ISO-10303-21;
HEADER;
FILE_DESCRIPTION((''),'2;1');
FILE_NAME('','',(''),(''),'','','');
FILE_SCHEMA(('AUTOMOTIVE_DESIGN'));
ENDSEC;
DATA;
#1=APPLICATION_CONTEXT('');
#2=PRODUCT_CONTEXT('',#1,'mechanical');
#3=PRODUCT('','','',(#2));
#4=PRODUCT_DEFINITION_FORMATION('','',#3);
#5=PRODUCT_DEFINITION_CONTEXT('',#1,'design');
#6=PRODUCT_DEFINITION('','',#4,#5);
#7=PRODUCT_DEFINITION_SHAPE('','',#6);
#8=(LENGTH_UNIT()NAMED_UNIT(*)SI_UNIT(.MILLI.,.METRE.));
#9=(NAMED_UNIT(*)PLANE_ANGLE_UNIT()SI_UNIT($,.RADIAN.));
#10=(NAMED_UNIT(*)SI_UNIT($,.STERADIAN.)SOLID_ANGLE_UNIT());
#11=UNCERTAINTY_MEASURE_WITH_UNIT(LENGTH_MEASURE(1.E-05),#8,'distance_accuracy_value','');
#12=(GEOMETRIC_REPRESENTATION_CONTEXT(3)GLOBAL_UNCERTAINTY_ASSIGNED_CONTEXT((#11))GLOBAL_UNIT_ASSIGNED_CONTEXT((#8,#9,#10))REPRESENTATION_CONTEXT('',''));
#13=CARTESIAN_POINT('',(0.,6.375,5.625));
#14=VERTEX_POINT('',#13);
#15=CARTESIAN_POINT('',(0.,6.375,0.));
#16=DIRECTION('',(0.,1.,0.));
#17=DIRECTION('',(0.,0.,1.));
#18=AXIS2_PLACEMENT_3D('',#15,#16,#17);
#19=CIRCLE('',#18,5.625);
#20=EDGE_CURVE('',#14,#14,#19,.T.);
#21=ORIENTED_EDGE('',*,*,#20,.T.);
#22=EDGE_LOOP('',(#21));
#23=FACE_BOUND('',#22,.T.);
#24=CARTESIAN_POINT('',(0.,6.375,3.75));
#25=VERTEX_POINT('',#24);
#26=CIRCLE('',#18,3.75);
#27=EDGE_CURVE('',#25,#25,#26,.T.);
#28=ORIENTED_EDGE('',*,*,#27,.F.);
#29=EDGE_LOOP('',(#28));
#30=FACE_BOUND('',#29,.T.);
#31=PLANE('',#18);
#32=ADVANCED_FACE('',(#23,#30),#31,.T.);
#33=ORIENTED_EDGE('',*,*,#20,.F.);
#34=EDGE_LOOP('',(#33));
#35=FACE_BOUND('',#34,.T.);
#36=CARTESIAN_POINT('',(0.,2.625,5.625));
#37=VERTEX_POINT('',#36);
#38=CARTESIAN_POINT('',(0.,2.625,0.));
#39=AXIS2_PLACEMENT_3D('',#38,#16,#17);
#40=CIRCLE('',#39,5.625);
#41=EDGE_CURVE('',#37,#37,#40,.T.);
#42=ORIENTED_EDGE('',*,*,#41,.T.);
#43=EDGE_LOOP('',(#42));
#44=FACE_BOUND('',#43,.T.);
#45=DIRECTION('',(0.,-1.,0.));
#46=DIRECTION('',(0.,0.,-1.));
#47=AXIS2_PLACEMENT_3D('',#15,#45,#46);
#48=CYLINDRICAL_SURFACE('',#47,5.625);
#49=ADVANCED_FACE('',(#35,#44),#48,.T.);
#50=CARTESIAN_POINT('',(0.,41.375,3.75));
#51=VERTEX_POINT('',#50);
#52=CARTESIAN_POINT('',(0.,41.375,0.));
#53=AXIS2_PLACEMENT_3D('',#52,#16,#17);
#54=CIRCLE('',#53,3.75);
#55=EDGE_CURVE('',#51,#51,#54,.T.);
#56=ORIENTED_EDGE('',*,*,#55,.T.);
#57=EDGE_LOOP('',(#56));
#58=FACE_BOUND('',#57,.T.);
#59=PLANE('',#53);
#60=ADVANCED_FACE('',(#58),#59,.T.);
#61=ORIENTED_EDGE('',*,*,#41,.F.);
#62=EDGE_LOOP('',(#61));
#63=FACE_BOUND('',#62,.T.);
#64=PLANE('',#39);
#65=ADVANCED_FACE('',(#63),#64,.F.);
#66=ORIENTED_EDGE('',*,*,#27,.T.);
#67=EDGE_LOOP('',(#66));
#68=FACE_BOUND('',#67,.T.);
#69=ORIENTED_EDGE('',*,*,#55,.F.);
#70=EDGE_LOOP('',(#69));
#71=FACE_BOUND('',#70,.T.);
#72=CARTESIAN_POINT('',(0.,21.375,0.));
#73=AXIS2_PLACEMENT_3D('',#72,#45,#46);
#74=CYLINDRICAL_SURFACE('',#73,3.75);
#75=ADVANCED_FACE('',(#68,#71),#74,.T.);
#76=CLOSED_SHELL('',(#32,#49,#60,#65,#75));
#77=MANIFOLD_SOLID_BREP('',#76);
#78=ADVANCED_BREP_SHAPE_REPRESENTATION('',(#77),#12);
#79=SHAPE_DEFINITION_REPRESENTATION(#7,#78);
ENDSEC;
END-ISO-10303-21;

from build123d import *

# Parameters (mm, degrees)
CROQUIS1_R              = 7.5
SALIENTE_EXTRUIR1_DEPTH = 5
CROQUIS2_R              = 5
SALIENTE_EXTRUIR2_DEPTH = 20
ESCALA1_SCALE           = 0.75
CROQUIS4_R              = 3.75
SALIENTE_EXTRUIR3_DEPTH = 20


with BuildPart() as part:
    # Croquis1 → Saliente-Extruir1 (new body)
    with BuildSketch(Plane(origin=(0, 0, 0), x_dir=(1, 0, 0), z_dir=(0, 1, 0))):
        with Locations(Location((0, 0, 0), (0, 0, 270))):
            Circle(CROQUIS1_R)
    extrude(amount=SALIENTE_EXTRUIR1_DEPTH)

    # Croquis2 → Saliente-Extruir2 (add)
    with BuildSketch(Plane(origin=(0, 5, 0), x_dir=(1, 0, 0), z_dir=(0, 1, 0))):
        with Locations(Location((0, 0, 0), (0, 0, 270))):
            Circle(CROQUIS2_R)
    extrude(amount=SALIENTE_EXTRUIR2_DEPTH)


with BuildPart() as part_1:
    # Escala1: scaled about (0, 10.5, 0)
    add(part.part.scale(ESCALA1_SCALE).moved(Location((0, 2.625, 0))))

    # Croquis4 → Saliente-Extruir3 (add)
    with BuildSketch(Plane(origin=(0, 21.375, 0), x_dir=(1, 0, 0), z_dir=(0, 1, 0))):
        with Locations(Location((0, 0, 0), (0, 0, 270))):
            Circle(CROQUIS4_R)
    extrude(amount=SALIENTE_EXTRUIR3_DEPTH)


solid = part_1.part
